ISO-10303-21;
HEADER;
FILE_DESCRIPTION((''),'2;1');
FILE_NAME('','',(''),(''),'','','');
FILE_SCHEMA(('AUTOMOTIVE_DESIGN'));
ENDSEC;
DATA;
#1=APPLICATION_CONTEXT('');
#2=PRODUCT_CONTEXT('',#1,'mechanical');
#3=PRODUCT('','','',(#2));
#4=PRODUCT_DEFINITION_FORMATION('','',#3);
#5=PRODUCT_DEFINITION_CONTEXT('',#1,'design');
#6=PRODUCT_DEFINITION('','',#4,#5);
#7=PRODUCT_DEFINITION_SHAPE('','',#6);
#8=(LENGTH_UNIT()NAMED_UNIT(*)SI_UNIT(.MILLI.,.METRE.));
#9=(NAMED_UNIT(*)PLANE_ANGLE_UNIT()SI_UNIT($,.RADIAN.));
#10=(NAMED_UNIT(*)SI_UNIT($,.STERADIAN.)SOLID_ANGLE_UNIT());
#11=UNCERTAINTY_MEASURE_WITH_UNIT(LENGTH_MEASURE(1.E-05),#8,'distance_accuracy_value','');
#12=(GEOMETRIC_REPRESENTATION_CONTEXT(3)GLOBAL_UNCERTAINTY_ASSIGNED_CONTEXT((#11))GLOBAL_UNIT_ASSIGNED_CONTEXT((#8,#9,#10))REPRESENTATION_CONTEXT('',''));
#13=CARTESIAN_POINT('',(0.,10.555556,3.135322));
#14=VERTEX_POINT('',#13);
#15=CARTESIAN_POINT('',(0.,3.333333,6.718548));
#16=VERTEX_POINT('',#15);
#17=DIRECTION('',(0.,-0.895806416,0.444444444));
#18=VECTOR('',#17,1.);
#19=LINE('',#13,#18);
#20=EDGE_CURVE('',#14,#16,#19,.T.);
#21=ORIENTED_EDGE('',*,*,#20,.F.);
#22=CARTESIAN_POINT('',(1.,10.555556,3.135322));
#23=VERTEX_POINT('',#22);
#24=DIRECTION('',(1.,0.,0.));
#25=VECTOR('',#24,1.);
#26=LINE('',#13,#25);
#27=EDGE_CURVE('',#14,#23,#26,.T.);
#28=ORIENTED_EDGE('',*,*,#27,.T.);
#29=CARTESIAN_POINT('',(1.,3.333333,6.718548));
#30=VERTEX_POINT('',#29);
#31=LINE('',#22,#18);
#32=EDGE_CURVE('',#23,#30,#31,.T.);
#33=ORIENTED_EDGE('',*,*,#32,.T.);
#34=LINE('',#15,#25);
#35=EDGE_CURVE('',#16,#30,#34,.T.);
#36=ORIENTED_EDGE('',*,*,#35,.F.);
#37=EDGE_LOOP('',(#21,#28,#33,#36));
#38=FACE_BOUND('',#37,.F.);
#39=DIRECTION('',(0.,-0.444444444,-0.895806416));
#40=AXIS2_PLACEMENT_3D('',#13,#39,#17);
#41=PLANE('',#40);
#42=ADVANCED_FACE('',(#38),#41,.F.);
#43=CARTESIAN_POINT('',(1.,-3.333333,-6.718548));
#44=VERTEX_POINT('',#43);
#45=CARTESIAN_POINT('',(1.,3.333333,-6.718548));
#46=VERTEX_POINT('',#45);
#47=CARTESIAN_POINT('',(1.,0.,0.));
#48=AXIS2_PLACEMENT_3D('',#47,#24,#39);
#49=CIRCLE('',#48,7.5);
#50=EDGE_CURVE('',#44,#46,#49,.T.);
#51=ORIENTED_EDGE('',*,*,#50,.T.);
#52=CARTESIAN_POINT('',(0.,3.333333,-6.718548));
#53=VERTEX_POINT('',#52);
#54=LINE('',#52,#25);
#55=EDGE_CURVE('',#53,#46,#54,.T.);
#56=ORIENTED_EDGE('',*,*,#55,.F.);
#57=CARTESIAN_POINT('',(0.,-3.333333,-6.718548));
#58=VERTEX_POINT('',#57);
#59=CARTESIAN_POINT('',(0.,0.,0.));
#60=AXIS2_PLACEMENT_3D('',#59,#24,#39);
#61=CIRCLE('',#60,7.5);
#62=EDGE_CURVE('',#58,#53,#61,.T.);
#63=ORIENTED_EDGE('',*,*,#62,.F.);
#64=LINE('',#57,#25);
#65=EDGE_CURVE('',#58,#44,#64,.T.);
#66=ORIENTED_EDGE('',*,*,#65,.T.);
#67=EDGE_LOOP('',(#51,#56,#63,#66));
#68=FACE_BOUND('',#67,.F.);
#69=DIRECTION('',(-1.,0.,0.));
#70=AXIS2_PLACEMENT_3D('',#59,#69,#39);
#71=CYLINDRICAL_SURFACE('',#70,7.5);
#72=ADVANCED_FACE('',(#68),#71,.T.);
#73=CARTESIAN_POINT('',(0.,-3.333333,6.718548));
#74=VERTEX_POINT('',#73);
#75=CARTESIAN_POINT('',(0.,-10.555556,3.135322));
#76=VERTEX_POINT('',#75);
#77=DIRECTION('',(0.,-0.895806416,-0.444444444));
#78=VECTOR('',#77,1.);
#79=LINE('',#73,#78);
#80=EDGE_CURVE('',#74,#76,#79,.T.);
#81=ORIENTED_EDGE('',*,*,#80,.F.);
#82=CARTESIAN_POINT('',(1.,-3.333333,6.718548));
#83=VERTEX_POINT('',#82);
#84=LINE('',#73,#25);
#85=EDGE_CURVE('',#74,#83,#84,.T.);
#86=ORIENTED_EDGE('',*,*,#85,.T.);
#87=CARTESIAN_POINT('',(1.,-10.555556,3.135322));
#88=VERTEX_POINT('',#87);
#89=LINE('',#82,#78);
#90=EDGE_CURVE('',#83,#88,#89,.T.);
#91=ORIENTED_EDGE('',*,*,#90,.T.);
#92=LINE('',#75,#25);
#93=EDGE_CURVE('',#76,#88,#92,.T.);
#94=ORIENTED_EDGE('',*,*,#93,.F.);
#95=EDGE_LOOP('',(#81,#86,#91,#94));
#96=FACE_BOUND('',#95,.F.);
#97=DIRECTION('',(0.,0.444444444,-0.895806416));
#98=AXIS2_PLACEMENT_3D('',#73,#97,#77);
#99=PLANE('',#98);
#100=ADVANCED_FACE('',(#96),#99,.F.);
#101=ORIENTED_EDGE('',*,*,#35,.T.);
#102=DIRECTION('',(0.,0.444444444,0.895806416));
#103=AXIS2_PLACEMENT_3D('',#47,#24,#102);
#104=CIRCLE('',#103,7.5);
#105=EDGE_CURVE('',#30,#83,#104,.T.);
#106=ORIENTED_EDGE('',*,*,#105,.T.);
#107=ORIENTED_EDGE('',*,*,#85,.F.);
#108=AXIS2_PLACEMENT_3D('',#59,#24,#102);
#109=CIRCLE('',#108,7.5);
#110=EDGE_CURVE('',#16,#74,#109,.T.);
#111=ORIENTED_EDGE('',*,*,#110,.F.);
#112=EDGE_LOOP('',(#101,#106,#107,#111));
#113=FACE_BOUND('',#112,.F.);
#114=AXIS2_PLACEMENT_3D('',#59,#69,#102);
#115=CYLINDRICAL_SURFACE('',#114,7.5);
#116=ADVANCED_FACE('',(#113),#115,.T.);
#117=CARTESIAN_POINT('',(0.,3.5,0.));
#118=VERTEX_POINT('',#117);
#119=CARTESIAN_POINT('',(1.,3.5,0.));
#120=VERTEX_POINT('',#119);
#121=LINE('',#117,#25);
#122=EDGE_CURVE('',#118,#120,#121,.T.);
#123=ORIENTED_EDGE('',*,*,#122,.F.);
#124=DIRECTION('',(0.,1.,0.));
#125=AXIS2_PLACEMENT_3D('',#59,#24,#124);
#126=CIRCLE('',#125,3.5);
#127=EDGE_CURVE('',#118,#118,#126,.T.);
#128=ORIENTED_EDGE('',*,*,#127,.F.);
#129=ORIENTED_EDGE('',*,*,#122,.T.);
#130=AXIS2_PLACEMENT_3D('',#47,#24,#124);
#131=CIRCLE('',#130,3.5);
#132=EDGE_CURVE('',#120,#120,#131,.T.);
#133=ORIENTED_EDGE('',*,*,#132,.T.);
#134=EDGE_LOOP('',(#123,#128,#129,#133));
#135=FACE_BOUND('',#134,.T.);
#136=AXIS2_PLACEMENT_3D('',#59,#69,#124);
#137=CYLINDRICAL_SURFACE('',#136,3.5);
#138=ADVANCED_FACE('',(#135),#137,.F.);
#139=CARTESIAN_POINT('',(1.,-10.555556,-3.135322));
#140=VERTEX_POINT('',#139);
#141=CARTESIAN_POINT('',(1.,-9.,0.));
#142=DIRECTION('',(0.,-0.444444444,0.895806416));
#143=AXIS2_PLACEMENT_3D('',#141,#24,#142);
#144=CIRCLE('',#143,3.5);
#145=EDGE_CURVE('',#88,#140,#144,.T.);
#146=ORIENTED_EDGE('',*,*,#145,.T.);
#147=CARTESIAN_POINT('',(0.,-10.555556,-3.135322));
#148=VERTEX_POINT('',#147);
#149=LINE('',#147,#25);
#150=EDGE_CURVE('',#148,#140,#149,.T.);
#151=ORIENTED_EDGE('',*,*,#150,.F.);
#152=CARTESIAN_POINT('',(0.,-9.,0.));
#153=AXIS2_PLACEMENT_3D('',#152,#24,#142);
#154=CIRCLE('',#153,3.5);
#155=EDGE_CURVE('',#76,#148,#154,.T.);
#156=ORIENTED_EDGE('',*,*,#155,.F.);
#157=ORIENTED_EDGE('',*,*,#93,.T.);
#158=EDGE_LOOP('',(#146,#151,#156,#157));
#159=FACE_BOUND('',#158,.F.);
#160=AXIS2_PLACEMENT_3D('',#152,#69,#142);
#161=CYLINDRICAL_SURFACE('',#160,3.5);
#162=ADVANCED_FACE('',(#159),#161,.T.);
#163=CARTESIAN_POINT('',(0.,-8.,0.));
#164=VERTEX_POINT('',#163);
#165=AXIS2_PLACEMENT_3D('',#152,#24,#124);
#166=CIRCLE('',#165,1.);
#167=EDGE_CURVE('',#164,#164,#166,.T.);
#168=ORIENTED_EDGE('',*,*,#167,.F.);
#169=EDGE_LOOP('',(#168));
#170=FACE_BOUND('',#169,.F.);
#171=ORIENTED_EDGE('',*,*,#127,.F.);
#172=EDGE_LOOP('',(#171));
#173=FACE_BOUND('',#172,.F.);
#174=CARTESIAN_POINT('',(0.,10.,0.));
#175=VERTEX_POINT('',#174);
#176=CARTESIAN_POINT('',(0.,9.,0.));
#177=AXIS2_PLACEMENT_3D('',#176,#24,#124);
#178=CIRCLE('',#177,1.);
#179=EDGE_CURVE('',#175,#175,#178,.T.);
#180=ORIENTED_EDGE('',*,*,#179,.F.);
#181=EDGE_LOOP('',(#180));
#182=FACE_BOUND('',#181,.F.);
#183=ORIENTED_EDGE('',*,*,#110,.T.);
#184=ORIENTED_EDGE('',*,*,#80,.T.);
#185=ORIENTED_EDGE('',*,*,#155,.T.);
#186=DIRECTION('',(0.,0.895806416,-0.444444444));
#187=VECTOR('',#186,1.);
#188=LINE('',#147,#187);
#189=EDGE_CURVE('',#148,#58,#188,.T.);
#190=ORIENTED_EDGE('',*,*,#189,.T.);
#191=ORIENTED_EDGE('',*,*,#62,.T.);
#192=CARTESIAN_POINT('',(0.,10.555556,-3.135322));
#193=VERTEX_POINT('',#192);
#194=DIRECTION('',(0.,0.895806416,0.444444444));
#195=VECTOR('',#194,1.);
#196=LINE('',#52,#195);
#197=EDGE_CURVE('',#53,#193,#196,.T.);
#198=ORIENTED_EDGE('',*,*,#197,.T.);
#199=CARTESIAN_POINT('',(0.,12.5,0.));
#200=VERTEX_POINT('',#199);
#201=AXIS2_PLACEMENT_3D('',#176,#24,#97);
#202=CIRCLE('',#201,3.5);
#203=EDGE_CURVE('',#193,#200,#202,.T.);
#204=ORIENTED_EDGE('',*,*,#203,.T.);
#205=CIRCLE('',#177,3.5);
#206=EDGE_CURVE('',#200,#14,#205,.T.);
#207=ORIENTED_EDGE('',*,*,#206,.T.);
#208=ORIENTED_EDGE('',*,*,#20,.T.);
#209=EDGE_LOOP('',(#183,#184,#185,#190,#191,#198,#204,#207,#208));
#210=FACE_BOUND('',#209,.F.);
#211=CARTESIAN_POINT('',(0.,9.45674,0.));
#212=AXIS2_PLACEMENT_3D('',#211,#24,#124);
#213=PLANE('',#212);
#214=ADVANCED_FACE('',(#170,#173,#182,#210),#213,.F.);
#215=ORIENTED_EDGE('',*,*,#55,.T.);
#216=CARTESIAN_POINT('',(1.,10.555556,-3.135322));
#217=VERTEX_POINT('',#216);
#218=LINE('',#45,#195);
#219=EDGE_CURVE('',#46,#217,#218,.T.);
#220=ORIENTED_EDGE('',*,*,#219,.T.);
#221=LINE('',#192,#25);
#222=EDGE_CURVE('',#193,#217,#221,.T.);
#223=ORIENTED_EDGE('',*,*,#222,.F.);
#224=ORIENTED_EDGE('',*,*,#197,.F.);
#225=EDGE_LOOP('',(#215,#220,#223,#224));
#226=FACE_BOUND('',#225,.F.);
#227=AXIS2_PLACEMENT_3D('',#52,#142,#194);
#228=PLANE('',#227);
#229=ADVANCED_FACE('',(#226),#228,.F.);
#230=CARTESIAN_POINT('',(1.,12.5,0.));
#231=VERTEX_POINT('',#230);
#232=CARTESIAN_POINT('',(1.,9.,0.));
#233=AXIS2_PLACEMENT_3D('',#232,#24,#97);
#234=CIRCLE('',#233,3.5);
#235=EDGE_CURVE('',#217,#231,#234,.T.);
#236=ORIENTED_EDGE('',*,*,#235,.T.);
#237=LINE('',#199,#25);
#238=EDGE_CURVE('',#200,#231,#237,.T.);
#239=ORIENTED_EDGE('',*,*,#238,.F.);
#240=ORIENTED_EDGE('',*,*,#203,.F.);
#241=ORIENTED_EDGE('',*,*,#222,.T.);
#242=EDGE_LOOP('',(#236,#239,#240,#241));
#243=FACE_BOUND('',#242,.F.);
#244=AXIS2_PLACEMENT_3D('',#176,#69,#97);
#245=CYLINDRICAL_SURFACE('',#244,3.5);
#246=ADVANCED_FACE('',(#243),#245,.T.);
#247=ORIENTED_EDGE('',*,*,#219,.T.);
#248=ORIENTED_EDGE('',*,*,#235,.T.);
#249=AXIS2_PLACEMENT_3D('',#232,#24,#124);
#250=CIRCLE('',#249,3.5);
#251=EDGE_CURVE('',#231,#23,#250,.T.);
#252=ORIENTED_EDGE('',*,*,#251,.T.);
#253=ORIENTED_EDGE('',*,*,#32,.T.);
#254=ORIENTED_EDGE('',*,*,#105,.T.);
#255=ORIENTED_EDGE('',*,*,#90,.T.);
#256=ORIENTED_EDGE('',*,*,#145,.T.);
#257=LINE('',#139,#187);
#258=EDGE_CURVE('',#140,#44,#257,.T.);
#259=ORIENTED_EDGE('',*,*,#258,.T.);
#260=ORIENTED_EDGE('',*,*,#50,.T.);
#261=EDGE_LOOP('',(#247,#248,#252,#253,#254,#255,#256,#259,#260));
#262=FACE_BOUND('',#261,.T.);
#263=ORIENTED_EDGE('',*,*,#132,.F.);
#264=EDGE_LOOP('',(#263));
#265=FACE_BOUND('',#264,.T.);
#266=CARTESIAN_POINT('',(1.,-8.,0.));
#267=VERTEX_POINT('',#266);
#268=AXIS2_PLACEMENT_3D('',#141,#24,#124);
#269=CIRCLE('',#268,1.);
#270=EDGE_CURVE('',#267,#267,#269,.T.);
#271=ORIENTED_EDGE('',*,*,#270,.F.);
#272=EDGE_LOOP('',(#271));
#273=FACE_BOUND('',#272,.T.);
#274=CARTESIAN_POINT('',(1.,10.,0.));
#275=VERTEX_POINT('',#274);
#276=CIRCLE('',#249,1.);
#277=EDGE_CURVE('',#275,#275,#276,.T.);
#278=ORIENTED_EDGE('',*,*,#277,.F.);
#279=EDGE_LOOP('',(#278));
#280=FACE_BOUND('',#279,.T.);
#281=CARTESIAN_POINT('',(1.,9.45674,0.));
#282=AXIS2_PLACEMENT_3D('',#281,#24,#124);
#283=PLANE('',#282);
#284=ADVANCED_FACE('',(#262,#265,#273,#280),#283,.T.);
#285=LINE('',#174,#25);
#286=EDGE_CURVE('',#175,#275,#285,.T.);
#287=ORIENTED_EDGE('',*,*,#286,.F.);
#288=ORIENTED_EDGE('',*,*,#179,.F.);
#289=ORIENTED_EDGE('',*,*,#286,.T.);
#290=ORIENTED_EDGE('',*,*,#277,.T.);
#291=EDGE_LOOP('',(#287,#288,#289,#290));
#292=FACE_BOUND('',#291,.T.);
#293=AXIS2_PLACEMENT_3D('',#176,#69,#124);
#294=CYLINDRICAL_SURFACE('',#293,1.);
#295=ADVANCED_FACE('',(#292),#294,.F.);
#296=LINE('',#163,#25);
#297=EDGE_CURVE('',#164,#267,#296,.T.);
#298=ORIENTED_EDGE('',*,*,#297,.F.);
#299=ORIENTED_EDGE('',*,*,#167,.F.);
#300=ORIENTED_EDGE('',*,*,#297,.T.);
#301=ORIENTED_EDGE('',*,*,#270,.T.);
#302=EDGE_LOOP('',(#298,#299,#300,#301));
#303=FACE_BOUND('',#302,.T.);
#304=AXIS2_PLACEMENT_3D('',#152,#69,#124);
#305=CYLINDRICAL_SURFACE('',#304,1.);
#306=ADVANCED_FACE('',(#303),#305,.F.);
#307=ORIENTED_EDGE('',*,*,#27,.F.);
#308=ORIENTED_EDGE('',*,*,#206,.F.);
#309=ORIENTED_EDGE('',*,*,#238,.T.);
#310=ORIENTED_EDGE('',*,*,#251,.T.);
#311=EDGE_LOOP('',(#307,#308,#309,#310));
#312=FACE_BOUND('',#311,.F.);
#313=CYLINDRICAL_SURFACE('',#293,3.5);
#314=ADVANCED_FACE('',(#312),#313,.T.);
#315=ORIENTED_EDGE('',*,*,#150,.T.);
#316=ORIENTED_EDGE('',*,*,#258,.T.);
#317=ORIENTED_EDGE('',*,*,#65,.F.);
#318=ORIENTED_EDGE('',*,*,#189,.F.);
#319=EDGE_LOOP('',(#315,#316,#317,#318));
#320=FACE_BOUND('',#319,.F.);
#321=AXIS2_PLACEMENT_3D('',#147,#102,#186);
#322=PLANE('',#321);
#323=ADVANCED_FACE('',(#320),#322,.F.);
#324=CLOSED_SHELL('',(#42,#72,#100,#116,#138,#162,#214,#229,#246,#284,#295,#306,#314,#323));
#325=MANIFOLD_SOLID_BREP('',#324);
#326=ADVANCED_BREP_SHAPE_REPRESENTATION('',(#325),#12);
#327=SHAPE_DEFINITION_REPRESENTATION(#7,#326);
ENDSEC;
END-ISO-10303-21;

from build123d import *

# Parameters (mm, degrees)
F0_R     = 1
F0_R_2   = 3.5
F1_DEPTH = 1


with BuildPart() as f1:
    # F0 (on Right) → F1 (new body)
    with BuildSketch(Plane.YZ):
        with BuildLine():
            ThreePointArc((10.5555555556, -3.1353224577), (11.9744280496, -1.8446619684), (12.5, 0))
            ThreePointArc((12.5, 0), (11.9744280496, 1.8446619684), (10.5555555556, 3.1353224577))
            ThreePointArc((10.5555555556, 3.1353224577), (8.707798561, 3.4877812889), (6.9444444444, 2.8327886187))
            ThreePointArc((6.9444444444, 2.8327886187), (7.3598007219, 1.443375673), (7.5, 0))
            ThreePointArc((7.5, 0), (7.3598007219, -1.443375673), (6.9444444444, -2.8327886187))
            ThreePointArc((6.9444444444, -2.8327886187), (8.707798561, -3.4877812889), (10.5555555556, -3.1353224577))
        make_face()
        with Locations((9, 0)):
            Circle(F0_R, mode=Mode.SUBTRACT)
        with BuildLine():
            ThreePointArc((6.9444444444, 2.8327886187), (8.707798561, 3.4877812889), (10.5555555556, 3.1353224577))
            Line((10.5555555556, 3.1353224577), (3.3333333333, 6.7185481236))
            ThreePointArc((3.3333333333, 6.7185481236), (5.4939021419, 5.1055890214), (6.9444444444, 2.8327886187))
        make_face()
        with BuildLine():
            Line((3.3333333333, -6.7185481236), (10.5555555556, -3.1353224577))
            ThreePointArc((10.5555555556, -3.1353224577), (8.707798561, -3.4877812889), (6.9444444444, -2.8327886187))
            ThreePointArc((6.9444444444, -2.8327886187), (5.4939021419, -5.1055890214), (3.3333333333, -6.7185481236))
        make_face()
        with BuildLine():
            ThreePointArc((6.9444444444, -2.8327886187), (5.5, 0), (6.9444444444, 2.8327886187))
            ThreePointArc((6.9444444444, 2.8327886187), (5.4939021419, 5.1055890214), (3.3333333333, 6.7185481236))
            ThreePointArc((3.3333333333, 6.7185481236), (0, 7.5), (-3.3333333333, 6.7185481236))
            ThreePointArc((-3.3333333333, 6.7185481236), (-5.4939021419, 5.1055890214), (-6.9444444444, 2.8327886187))
            ThreePointArc((-6.9444444444, 2.8327886187), (-5.8819521777, 1.589898669), (-5.5, 0))
            ThreePointArc((-5.5, 0), (-5.8819521777, -1.589898669), (-6.9444444444, -2.8327886187))
            ThreePointArc((-6.9444444444, -2.8327886187), (-5.4939021419, -5.1055890214), (-3.3333333333, -6.7185481236))
            ThreePointArc((-3.3333333333, -6.7185481236), (0, -7.5), (3.3333333333, -6.7185481236))
            ThreePointArc((3.3333333333, -6.7185481236), (5.4939021419, -5.1055890214), (6.9444444444, -2.8327886187))
        make_face()
        Circle(F0_R_2, mode=Mode.SUBTRACT)
        with BuildLine():
            ThreePointArc((-6.9444444444, 2.8327886187), (-5.4939021419, 5.1055890214), (-3.3333333333, 6.7185481236))
            Line((-3.3333333333, 6.7185481236), (-10.5555555556, 3.1353224577))
            ThreePointArc((-10.5555555556, 3.1353224577), (-8.707798561, 3.4877812889), (-6.9444444444, 2.8327886187))
        make_face()
        with BuildLine():
            Line((-10.5555555556, -3.1353224577), (-3.3333333333, -6.7185481236))
            ThreePointArc((-3.3333333333, -6.7185481236), (-5.4939021419, -5.1055890214), (-6.9444444444, -2.8327886187))
            ThreePointArc((-6.9444444444, -2.8327886187), (-8.707798561, -3.4877812889), (-10.5555555556, -3.1353224577))
        make_face()
        with BuildLine():
            ThreePointArc((-6.9444444444, -2.8327886187), (-7.5, 0), (-6.9444444444, 2.8327886187))
            ThreePointArc((-6.9444444444, 2.8327886187), (-8.707798561, 3.4877812889), (-10.5555555556, 3.1353224577))
            ThreePointArc((-10.5555555556, 3.1353224577), (-12.5, 0), (-10.5555555556, -3.1353224577))
            ThreePointArc((-10.5555555556, -3.1353224577), (-8.707798561, -3.4877812889), (-6.9444444444, -2.8327886187))
        make_face()
        with Locations((-9, 0)):
            Circle(F0_R, mode=Mode.SUBTRACT)
        with BuildLine():
            ThreePointArc((-5.5, 0), (-5.8819521777, 1.589898669), (-6.9444444444, 2.8327886187))
            ThreePointArc((-6.9444444444, 2.8327886187), (-7.5, 0), (-6.9444444444, -2.8327886187))
            ThreePointArc((-6.9444444444, -2.8327886187), (-5.8819521777, -1.589898669), (-5.5, 0))
        make_face()
        with BuildLine():
            ThreePointArc((7.5, 0), (7.3598007219, 1.443375673), (6.9444444444, 2.8327886187))
            ThreePointArc((6.9444444444, 2.8327886187), (5.5, 0), (6.9444444444, -2.8327886187))
            ThreePointArc((6.9444444444, -2.8327886187), (7.3598007219, -1.443375673), (7.5, 0))
        make_face()
    extrude(amount=F1_DEPTH)


solid = f1.part
